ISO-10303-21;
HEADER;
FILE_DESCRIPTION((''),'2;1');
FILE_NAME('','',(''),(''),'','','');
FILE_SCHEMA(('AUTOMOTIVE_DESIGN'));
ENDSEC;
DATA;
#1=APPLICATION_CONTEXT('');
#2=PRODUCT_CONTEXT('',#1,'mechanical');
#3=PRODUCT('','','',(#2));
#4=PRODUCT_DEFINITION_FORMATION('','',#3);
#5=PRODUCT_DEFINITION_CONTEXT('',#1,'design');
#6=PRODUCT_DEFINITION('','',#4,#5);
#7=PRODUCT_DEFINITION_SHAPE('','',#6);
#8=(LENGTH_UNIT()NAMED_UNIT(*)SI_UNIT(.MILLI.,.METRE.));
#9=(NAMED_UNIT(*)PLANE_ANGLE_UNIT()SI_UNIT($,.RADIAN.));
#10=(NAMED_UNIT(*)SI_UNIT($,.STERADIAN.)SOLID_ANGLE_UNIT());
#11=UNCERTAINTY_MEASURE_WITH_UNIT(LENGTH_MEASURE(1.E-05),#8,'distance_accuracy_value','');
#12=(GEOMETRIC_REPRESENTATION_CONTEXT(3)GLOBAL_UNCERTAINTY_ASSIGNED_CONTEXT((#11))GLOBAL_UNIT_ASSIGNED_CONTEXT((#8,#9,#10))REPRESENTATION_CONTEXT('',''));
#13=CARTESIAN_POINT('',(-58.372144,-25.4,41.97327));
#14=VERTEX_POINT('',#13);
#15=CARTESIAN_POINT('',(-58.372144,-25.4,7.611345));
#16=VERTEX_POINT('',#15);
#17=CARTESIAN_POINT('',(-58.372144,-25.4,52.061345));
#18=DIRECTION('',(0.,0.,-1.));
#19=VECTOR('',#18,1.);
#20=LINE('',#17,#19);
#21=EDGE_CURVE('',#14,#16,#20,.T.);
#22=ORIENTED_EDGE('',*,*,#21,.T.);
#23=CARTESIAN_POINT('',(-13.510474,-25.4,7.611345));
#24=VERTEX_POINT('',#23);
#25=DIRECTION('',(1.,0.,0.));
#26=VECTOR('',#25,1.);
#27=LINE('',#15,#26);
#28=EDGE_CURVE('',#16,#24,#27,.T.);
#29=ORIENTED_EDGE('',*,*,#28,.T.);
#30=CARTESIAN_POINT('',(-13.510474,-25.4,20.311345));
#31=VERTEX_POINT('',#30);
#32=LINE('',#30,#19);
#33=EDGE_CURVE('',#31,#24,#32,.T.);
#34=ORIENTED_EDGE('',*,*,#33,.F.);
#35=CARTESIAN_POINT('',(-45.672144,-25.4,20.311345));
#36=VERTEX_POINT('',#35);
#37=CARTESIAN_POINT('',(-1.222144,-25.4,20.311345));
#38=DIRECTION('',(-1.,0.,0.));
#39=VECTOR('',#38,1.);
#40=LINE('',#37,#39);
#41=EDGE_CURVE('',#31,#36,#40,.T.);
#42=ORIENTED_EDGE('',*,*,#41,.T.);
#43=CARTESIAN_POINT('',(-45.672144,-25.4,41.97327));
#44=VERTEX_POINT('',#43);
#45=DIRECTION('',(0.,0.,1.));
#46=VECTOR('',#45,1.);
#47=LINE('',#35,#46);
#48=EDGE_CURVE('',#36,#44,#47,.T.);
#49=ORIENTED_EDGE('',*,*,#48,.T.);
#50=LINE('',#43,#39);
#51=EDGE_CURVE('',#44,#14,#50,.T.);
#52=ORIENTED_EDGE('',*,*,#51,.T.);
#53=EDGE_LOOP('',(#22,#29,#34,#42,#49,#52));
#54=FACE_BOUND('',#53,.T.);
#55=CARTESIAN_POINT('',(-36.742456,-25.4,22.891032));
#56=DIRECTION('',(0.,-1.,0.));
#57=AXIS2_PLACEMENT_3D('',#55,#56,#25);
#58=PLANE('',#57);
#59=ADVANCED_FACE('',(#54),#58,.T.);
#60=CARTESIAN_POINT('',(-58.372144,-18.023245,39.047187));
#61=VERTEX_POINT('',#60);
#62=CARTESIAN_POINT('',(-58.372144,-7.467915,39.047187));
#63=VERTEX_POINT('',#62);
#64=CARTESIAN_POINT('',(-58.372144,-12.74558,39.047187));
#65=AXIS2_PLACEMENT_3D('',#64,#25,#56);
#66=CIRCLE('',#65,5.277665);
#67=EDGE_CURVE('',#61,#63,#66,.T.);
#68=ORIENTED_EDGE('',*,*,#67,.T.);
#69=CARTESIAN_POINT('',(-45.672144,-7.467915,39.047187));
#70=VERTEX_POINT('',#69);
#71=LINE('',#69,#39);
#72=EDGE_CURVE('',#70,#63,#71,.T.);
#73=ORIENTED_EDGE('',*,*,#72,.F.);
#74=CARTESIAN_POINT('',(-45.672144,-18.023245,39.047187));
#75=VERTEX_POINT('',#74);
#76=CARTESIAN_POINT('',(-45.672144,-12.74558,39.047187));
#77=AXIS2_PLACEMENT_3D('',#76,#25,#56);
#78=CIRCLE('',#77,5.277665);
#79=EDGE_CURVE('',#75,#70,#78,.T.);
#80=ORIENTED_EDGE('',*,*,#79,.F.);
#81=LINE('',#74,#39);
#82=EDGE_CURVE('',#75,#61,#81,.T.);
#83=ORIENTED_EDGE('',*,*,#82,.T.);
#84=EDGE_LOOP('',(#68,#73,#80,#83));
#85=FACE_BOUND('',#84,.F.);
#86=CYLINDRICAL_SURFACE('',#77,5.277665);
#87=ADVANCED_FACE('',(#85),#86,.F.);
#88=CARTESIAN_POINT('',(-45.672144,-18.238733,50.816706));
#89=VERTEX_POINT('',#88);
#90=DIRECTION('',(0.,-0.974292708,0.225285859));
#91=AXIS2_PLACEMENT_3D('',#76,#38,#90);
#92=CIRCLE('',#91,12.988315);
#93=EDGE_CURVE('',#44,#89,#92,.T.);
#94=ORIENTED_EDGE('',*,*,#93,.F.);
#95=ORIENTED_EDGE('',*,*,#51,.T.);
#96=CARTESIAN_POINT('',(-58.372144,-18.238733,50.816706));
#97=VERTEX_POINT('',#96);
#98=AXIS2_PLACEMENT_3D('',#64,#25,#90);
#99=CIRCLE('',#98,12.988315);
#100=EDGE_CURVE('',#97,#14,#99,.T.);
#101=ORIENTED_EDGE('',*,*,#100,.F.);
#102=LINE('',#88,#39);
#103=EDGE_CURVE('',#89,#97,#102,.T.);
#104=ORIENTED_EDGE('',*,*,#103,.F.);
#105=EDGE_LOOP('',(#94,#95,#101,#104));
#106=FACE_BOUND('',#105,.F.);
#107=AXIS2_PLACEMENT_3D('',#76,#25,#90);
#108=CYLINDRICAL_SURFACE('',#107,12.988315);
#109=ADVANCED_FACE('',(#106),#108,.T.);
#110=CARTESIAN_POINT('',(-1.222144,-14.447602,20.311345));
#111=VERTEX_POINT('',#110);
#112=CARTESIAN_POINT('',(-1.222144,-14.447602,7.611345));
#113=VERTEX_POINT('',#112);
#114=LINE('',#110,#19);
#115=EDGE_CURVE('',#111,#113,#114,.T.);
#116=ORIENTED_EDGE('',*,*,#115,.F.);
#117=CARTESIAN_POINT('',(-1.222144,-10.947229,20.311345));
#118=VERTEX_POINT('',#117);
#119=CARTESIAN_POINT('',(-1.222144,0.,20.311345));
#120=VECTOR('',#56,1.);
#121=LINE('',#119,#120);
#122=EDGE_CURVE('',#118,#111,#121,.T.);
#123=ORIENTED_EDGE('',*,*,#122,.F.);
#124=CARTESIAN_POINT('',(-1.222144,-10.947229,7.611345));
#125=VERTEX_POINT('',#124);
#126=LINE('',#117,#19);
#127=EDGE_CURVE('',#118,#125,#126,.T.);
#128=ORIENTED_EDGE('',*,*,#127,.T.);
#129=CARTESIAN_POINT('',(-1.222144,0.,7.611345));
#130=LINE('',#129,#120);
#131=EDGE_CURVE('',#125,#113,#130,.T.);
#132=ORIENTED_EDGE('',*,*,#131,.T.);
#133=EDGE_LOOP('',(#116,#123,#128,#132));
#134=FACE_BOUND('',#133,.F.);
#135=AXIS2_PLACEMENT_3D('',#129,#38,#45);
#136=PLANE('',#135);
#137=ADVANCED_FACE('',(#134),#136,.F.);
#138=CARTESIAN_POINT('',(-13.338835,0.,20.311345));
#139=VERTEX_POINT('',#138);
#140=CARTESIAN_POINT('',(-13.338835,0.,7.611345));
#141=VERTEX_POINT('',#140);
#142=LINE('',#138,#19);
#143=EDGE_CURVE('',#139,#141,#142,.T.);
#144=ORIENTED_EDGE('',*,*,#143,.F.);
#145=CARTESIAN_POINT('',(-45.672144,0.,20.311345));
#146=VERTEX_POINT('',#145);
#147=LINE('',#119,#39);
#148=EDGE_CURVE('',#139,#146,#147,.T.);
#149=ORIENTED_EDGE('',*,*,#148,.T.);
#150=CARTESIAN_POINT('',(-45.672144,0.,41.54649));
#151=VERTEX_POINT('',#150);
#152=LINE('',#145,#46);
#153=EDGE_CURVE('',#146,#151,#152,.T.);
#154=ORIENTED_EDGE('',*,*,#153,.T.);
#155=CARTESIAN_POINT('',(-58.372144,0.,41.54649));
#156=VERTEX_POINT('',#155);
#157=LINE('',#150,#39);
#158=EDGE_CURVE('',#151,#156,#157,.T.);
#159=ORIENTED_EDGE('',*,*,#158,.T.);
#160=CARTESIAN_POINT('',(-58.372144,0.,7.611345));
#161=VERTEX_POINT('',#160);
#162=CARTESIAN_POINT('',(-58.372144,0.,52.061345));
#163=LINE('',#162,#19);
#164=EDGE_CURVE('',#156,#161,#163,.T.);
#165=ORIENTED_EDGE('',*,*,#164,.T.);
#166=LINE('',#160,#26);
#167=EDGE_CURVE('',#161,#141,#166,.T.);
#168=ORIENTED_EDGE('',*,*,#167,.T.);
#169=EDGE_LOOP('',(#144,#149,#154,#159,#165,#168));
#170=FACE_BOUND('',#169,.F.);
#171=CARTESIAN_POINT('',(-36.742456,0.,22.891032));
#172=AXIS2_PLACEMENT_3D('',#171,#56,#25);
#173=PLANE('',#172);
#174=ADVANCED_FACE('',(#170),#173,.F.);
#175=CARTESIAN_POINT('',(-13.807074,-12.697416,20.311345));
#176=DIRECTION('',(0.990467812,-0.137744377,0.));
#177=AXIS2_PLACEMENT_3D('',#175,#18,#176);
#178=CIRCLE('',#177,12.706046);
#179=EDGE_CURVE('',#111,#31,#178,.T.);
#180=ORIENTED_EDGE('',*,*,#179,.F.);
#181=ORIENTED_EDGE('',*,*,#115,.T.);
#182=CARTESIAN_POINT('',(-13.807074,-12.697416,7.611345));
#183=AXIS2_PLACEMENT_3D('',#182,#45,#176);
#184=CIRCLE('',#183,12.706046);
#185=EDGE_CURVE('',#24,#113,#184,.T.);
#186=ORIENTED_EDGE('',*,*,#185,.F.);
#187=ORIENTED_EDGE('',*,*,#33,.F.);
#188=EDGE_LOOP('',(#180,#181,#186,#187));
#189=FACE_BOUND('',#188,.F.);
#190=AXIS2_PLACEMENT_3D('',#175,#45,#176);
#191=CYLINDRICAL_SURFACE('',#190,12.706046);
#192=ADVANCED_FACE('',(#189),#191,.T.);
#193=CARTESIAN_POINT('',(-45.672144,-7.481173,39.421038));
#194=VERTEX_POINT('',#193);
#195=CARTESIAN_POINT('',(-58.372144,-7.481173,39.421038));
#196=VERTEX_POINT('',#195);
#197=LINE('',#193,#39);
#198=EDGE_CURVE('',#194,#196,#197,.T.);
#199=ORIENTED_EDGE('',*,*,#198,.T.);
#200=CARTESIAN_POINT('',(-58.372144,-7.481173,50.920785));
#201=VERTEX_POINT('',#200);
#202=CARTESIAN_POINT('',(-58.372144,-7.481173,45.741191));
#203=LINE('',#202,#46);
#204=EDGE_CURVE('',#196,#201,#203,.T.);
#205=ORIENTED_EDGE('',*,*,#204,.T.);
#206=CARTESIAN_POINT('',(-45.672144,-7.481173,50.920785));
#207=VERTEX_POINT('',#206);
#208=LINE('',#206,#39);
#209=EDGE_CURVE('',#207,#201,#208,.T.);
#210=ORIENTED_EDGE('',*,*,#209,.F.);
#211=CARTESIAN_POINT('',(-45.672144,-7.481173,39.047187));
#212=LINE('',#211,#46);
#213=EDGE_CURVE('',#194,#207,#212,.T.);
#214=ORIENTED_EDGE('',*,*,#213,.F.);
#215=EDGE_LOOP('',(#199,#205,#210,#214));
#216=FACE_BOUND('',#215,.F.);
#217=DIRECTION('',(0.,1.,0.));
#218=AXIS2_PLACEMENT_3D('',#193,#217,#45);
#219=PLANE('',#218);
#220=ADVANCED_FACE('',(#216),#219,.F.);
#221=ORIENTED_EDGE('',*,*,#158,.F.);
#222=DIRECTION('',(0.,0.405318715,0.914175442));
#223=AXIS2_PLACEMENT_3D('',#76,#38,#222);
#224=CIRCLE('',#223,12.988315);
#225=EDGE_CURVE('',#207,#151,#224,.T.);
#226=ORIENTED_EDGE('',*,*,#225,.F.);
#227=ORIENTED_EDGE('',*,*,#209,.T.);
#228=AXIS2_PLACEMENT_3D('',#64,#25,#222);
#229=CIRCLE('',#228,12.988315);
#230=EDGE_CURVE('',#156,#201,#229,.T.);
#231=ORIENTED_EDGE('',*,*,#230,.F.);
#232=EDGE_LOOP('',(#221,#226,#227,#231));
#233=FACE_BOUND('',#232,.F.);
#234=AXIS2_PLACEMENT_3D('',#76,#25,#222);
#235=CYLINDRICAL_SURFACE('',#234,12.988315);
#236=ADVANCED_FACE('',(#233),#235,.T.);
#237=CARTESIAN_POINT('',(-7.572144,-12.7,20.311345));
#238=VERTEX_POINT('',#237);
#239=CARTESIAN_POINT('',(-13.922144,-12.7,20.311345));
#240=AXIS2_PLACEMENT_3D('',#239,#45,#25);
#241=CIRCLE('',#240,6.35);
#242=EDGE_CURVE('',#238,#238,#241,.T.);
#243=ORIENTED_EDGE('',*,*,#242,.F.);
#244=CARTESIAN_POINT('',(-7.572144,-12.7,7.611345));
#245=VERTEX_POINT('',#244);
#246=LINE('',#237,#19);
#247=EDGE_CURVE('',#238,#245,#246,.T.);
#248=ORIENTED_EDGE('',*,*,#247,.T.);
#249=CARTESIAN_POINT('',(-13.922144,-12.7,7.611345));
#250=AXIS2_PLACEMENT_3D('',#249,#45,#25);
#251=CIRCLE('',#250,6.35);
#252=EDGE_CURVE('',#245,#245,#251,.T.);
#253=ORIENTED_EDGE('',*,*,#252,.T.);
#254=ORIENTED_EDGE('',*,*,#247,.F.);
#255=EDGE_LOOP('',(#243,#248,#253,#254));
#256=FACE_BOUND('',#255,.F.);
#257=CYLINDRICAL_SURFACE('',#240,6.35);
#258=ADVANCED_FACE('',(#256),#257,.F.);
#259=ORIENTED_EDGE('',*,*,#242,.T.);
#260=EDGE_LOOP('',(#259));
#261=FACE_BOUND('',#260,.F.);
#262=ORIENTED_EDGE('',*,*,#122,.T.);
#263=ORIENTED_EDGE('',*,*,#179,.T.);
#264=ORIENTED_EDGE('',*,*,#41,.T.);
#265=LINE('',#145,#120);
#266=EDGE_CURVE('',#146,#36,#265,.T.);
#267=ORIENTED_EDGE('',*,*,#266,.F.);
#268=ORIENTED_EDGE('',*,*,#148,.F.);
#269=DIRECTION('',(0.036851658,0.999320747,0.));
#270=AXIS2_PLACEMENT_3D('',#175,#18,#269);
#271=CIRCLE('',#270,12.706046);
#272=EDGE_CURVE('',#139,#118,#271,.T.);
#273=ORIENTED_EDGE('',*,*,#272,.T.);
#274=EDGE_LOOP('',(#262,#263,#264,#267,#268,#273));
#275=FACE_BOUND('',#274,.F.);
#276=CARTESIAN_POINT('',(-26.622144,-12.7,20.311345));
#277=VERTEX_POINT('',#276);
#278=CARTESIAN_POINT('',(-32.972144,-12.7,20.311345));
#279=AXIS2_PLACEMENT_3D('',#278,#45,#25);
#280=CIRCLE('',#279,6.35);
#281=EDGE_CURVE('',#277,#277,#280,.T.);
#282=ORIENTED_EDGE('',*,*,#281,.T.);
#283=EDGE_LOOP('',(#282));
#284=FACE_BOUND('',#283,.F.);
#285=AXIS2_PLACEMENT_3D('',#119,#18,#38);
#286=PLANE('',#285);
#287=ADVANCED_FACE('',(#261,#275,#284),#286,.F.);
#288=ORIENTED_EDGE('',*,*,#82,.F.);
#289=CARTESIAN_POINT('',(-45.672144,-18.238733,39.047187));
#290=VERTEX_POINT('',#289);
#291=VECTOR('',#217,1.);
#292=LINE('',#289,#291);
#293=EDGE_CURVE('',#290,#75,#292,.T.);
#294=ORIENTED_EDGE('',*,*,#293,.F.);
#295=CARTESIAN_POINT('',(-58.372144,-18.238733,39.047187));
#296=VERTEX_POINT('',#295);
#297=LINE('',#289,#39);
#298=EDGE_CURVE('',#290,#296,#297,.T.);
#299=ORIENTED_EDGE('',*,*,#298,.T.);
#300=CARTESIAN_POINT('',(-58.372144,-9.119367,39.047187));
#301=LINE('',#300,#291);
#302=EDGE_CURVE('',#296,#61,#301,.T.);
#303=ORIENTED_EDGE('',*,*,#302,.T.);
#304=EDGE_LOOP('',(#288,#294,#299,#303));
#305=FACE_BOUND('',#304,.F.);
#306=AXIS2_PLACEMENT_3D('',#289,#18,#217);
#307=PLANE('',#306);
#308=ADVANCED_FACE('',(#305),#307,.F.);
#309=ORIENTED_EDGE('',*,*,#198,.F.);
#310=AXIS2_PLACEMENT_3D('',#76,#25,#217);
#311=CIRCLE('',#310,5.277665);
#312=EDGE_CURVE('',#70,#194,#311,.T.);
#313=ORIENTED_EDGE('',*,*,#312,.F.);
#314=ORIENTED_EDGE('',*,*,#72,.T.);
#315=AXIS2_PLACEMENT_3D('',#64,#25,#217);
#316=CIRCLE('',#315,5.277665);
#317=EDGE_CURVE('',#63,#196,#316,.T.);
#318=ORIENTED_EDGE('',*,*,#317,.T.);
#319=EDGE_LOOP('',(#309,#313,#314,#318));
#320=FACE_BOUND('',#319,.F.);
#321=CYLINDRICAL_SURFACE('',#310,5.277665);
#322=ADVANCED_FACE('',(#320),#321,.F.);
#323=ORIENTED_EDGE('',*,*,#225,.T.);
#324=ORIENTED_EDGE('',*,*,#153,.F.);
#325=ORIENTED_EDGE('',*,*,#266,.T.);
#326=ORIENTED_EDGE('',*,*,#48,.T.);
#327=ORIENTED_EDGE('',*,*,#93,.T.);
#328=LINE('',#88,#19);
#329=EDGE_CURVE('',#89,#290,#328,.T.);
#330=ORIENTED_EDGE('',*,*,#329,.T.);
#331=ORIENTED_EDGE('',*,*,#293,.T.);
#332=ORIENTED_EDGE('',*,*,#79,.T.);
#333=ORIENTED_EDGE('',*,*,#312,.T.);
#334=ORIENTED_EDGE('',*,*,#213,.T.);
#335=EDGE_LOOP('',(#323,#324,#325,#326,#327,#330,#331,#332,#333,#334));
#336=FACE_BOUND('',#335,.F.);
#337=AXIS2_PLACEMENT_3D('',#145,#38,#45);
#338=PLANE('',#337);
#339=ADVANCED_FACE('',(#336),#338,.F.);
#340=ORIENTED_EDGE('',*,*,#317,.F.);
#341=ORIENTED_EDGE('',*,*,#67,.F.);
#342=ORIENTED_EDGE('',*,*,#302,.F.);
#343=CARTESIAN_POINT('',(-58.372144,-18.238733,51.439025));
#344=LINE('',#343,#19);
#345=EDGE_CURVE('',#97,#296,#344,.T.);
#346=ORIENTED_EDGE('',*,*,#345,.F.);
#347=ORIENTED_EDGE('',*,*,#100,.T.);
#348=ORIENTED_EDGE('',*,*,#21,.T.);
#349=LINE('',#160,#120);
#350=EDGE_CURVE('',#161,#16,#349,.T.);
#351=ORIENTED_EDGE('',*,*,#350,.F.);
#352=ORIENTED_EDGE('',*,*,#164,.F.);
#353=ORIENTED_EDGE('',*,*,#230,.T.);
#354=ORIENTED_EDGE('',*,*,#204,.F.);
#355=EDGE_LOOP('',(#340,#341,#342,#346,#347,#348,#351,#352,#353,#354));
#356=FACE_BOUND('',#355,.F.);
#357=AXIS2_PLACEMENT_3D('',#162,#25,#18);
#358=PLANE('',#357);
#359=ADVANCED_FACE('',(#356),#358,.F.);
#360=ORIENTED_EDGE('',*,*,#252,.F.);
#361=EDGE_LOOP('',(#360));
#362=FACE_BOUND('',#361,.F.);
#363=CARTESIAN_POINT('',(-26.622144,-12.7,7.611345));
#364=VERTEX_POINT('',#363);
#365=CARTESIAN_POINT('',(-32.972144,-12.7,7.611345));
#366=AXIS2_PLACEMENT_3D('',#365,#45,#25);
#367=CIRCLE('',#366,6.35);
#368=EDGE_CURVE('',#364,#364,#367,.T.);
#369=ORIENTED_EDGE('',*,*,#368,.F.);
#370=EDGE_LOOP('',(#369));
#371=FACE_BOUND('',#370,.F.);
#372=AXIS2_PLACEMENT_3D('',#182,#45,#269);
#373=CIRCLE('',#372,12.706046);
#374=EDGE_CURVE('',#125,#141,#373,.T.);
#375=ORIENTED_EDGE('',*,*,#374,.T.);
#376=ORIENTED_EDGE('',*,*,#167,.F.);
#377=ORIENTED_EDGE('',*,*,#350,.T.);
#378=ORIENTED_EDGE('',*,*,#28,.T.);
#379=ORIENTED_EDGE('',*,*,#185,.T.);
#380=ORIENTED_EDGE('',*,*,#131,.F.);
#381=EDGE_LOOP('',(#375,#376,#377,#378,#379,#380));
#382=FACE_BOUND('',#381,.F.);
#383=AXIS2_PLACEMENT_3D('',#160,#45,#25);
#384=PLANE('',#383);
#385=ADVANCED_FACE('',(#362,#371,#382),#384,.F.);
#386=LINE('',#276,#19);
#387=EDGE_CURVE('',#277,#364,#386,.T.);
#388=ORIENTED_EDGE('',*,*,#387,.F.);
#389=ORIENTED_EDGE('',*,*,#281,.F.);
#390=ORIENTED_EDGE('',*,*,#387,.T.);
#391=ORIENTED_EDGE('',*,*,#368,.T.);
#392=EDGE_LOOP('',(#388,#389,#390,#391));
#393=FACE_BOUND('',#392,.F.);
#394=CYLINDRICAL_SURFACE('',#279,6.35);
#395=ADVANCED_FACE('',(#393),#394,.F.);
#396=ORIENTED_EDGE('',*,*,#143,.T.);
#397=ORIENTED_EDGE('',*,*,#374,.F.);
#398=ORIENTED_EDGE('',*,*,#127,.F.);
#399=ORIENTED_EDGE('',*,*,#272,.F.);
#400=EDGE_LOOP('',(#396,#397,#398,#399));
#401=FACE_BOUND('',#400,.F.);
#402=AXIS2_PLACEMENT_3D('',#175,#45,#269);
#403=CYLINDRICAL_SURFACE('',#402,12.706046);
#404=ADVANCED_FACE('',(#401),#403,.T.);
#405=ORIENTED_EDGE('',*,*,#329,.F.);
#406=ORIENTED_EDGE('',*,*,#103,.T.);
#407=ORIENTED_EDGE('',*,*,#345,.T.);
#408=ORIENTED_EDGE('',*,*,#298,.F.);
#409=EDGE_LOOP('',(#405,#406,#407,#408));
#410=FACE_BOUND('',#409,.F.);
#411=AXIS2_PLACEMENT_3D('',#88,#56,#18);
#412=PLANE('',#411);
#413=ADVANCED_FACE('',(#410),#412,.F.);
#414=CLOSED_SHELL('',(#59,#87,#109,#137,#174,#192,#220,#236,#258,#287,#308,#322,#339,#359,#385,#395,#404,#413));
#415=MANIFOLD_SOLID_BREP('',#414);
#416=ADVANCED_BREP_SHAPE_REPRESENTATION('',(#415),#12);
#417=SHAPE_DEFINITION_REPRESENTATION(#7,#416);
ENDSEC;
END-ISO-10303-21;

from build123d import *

# Parameters (mm, degrees)
F1_DEPTH = 25.4
F2_R     = 6.35
F3_DEPTH = 12.701
F5_DEPTH = 12.701
F7_DEPTH = 12.701


with BuildPart() as f1:
    # F0 (on Front) → F1 (new body)
    with BuildSketch(Plane.XZ):
        Polygon((-45.6721438388, 52.0613446782), (-58.3721438388, 52.0613446782), (-58.3721438388, 7.6113446782), (-1.2221438388, 7.6113446782), (-1.2221438388, 20.3113446782), (-45.6721438388, 20.3113446782), align=None)
    extrude(amount=F1_DEPTH)

    # F2 (on face) → F3 (cut, through all)
    with BuildSketch(Plane.XY.offset(20.3113446782)):
        with Locations((-32.9721438388, -12.7)):
            Circle(F2_R)
        with Locations((-13.9221438388, -12.7)):
            Circle(F2_R)
    extrude(amount=-F3_DEPTH, mode=Mode.SUBTRACT)

    # F4 (on face) → F5 (cut, through all)
    with BuildSketch(Plane.XY.offset(20.3113446782)):
        with BuildLine():
            ThreePointArc((-13.3388349786, 0), (-5.2890481293, -3.2694333282), (-1.2221438388, -10.9472293725))
            Line((-1.2221438388, -10.9472293725), (-1.2221438388, 0))
            Line((-1.2221438388, 0), (-13.3388349786, 0))
        make_face()
        with BuildLine():
            ThreePointArc((-1.2221438388, -14.447602267), (-5.3529503077, -22.1827419169), (-13.5104743141, -25.4))
            Line((-13.5104743141, -25.4), (-1.2221438388, -25.4))
            Line((-1.2221438388, -25.4), (-1.2221438388, -14.447602267))
        make_face()
    extrude(amount=-F5_DEPTH, mode=Mode.SUBTRACT)

    # F6 (on face) → F7 (cut, through all)
    with BuildSketch(Plane.YZ.offset(-45.6721438388)):
        with BuildLine():
            Line((-7.4811726809, 39.4210381167), (-7.4811726809, 50.9207851655))
            ThreePointArc((-7.4811726809, 50.9207851655), (-12.8712353004, 52.0348936879), (-18.2387330395, 50.8167061557))
            Line((-18.2387330395, 50.8167061557), (-18.2387330395, 39.0471868407))
            Line((-18.2387330395, 39.0471868407), (-18.0232445354, 39.0471868407))
            ThreePointArc((-18.0232445354, 39.0471868407), (-12.9326228444, 44.3215361788), (-7.4811726809, 39.4210381167))
        make_face()
        with BuildLine():
            ThreePointArc((-7.4811726809, 50.9207851655), (-2.5937691395, 47.1488570851), (0, 41.5464900434))
            Line((0, 41.5464900434), (0, 52.0613446782))
            Line((0, 52.0613446782), (-25.4, 52.0613446782))
            Line((-25.4, 52.0613446782), (-25.4, 41.9732704759))
            ThreePointArc((-25.4, 41.9732704759), (-22.839399389, 47.2209939486), (-18.2387330395, 50.8167061557))
            ThreePointArc((-18.2387330395, 50.8167061557), (-12.8712353004, 52.0348936879), (-7.4811726809, 50.9207851655))
        make_face()
        with BuildLine():
            Line((-7.4811726809, 39.0471868407), (-7.4811726809, 39.4210381167))
            ThreePointArc((-7.4811726809, 39.4210381167), (-12.9326228444, 44.3215361788), (-18.0232445354, 39.0471868407))
            Line((-18.0232445354, 39.0471868407), (-7.4811726809, 39.0471868407))
        make_face()
        with BuildLine():
            ThreePointArc((-7.4679148717, 39.0471868407), (-7.4712303654, 39.2342299815), (-7.4811726809, 39.4210381167))
            Line((-7.4811726809, 39.4210381167), (-7.4811726809, 39.0471868407))
            Line((-7.4811726809, 39.0471868407), (-18.0232445354, 39.0471868407))
            ThreePointArc((-18.0232445354, 39.0471868407), (-12.7455797036, 33.7695220088), (-7.4679148717, 39.0471868407))
        make_face()
    extrude(amount=-F7_DEPTH, mode=Mode.SUBTRACT)


solid = f1.part
